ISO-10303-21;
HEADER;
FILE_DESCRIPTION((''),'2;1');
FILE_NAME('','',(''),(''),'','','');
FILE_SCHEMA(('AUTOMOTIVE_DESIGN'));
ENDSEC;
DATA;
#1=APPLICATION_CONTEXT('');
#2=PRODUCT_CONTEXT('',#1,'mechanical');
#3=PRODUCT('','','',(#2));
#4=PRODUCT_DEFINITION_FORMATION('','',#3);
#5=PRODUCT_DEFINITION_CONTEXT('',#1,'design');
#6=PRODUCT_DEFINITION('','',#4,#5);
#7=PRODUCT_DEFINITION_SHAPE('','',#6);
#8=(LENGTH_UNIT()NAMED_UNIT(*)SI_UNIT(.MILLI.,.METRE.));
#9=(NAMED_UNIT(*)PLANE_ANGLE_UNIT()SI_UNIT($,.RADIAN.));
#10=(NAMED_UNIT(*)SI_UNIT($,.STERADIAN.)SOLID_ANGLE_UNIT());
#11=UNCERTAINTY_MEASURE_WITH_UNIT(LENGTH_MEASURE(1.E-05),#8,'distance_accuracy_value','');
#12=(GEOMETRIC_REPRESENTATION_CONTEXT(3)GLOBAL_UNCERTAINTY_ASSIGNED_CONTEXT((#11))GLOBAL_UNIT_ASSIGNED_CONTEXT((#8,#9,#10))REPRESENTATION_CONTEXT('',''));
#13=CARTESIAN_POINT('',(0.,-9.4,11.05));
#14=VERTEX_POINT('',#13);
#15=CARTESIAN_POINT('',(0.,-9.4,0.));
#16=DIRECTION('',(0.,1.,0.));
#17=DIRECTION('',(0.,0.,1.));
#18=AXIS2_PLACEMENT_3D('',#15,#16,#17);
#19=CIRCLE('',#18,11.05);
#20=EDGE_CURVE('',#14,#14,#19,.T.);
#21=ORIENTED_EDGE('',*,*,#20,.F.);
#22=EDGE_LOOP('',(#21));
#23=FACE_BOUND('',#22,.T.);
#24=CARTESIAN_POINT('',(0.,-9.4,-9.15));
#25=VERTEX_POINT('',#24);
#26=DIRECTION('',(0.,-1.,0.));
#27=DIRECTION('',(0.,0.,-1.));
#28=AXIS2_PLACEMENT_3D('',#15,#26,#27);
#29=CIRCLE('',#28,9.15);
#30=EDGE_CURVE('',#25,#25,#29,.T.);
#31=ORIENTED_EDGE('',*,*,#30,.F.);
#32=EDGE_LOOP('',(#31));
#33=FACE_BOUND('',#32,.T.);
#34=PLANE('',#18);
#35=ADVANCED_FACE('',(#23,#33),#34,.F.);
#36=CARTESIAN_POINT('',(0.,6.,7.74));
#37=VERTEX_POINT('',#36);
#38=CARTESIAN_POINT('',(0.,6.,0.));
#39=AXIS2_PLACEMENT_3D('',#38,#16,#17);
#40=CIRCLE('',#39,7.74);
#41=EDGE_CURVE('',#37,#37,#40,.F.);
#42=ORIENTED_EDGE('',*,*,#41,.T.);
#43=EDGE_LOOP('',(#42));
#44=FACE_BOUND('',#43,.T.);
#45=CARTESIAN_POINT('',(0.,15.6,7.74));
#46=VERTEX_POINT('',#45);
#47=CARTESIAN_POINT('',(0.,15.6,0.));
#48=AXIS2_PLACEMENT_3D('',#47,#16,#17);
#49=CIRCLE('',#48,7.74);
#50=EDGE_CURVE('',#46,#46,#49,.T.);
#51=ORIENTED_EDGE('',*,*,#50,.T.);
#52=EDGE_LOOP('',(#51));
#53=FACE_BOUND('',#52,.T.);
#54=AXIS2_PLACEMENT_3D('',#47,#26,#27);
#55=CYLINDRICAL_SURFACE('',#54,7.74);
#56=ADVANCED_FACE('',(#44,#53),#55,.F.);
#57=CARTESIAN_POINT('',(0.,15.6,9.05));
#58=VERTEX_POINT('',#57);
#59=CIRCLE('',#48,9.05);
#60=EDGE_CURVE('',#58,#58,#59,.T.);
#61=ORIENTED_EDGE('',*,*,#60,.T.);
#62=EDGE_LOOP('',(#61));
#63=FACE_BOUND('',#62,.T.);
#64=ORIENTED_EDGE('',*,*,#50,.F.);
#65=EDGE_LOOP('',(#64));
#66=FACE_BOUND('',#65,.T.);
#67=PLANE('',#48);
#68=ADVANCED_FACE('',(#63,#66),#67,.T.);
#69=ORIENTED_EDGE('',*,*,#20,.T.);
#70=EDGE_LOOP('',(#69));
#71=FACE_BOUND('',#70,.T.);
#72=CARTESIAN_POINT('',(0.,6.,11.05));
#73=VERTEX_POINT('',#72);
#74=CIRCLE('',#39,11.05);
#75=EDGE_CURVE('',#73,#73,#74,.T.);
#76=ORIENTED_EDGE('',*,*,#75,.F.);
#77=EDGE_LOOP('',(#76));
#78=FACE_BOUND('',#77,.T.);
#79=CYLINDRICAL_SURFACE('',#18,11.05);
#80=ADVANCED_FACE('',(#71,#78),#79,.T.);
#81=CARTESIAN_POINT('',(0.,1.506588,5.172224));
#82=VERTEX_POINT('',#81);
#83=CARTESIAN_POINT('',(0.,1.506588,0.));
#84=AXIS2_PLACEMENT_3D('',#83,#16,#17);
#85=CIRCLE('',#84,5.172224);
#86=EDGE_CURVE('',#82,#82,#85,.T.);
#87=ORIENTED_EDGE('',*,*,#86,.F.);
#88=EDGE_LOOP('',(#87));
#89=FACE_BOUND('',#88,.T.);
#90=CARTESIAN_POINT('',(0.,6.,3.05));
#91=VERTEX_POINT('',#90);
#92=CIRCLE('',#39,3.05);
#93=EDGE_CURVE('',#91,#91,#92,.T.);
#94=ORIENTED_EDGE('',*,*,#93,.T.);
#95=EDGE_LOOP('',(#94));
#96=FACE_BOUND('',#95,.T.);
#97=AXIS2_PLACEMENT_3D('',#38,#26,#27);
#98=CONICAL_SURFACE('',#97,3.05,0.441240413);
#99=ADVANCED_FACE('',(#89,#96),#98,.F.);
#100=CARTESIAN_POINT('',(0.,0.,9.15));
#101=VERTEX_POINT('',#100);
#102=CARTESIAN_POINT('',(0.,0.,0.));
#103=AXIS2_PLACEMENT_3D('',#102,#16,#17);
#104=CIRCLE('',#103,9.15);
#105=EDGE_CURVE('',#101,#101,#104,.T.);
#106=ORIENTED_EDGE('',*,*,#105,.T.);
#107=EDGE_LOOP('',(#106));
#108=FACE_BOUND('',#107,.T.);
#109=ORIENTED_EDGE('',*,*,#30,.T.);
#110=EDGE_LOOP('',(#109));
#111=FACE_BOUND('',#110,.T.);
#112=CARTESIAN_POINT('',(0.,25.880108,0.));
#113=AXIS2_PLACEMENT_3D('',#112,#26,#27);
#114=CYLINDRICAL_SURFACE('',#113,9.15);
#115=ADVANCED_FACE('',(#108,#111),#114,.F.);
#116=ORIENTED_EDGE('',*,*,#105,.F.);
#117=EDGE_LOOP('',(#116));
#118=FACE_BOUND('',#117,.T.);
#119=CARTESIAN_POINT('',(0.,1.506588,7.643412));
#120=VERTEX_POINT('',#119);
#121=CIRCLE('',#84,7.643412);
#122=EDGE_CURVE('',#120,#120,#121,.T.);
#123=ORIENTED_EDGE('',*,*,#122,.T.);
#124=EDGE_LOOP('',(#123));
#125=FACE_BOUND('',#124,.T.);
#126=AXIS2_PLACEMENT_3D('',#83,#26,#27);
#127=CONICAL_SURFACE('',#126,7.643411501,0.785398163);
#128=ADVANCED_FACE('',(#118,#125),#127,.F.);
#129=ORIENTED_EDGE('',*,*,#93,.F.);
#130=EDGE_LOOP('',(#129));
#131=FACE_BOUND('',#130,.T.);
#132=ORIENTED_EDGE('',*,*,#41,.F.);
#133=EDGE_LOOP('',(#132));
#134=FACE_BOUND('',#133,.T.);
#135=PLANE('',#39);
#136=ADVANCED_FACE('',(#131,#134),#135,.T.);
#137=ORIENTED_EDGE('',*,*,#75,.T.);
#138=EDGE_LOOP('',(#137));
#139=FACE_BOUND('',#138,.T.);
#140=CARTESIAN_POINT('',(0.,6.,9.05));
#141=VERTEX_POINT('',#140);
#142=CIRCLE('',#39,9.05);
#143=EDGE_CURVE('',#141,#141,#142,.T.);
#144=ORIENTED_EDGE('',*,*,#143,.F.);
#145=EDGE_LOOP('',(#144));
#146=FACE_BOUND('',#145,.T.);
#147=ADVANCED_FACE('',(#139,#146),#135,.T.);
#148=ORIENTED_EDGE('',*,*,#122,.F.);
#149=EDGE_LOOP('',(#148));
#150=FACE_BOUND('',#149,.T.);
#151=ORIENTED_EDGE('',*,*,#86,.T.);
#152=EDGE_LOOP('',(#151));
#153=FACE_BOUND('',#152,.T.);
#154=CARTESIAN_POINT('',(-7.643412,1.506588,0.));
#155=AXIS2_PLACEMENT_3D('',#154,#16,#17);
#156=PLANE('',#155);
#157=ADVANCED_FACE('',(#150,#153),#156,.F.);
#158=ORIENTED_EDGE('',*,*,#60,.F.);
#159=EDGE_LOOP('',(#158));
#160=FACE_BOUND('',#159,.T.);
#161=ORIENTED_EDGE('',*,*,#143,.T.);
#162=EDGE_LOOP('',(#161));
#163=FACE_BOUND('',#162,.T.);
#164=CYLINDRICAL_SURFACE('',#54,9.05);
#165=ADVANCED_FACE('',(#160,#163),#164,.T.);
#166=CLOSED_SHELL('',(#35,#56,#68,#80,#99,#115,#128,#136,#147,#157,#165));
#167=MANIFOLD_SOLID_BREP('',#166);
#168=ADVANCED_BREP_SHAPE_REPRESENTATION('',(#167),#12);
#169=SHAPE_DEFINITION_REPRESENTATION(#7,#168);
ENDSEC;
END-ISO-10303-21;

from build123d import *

# Parameters (mm, degrees)
CROQUIS1_R              = 11.05
CROQUIS1_R_2            = 9.05
SALIENTE_EXTRUIR1_DEPTH = 9.4
CROQUIS2_R              = 11.05
SALIENTE_EXTRUIR2_DEPTH = 6
CROQUIS3_R              = 9.05
CROQUIS3_R_2            = 7.74
SALIENTE_EXTRUIR3_DEPTH = 9.6
CROQUIS4_R              = 3.05
CORTAR_EXTRUIR1_DEPTH   = 9.6
CROQUIS5_R              = 9.15
CORTAR_EXTRUIR2_DEPTH   = 9.4


with BuildPart() as part:
    # Croquis1 → Saliente-Extruir1 (new body)
    with BuildSketch(Plane(origin=(0, 0, 0), x_dir=(1, 0, 0), z_dir=(0, 1, 0))):
        Circle(CROQUIS1_R)
        Circle(CROQUIS1_R_2, mode=Mode.SUBTRACT)
    extrude(amount=-SALIENTE_EXTRUIR1_DEPTH)

    # Croquis2 → Saliente-Extruir2 (add)
    with BuildSketch(Plane(origin=(0, 0, 0), x_dir=(1, 0, 0), z_dir=(0, 1, 0))):
        Circle(CROQUIS2_R)
    extrude(amount=SALIENTE_EXTRUIR2_DEPTH)

    # Croquis3 → Saliente-Extruir3 (add)
    with BuildSketch(Plane(origin=(0, 6, 0), x_dir=(1, 0, 0), z_dir=(0, 1, 0))):
        Circle(CROQUIS3_R)
        Circle(CROQUIS3_R_2, mode=Mode.SUBTRACT)
    extrude(amount=SALIENTE_EXTRUIR3_DEPTH)

    # Croquis4 → Cortar-Extruir1 (cut)
    with BuildSketch(Plane(origin=(0, 6, 0), x_dir=(1, 0, 0), z_dir=(0, 1, 0))):
        Circle(CROQUIS4_R)
    extrude(amount=-CORTAR_EXTRUIR1_DEPTH, mode=Mode.SUBTRACT)

    # Croquis5 → Cortar-Extruir2 (cut)
    with BuildSketch(Plane.XZ.offset(9.4)):
        Circle(CROQUIS5_R)
    extrude(amount=-CORTAR_EXTRUIR2_DEPTH, mode=Mode.SUBTRACT)

    # Croquis6 → Cortar-Revolución1 (revolve, cut)
    with BuildSketch(Plane.XY):
        Polygon((-9.15, 0), (-7.643411501, 1.506588499), (-5.172223625, 1.506588499), (-3.05, 6), (0, 6), (0, 1.506588499), (0, 0), align=None)
    revolve(axis=Axis((0, 1.506588499, 0), (0, -1, 0)), mode=Mode.SUBTRACT)


solid = part.part
